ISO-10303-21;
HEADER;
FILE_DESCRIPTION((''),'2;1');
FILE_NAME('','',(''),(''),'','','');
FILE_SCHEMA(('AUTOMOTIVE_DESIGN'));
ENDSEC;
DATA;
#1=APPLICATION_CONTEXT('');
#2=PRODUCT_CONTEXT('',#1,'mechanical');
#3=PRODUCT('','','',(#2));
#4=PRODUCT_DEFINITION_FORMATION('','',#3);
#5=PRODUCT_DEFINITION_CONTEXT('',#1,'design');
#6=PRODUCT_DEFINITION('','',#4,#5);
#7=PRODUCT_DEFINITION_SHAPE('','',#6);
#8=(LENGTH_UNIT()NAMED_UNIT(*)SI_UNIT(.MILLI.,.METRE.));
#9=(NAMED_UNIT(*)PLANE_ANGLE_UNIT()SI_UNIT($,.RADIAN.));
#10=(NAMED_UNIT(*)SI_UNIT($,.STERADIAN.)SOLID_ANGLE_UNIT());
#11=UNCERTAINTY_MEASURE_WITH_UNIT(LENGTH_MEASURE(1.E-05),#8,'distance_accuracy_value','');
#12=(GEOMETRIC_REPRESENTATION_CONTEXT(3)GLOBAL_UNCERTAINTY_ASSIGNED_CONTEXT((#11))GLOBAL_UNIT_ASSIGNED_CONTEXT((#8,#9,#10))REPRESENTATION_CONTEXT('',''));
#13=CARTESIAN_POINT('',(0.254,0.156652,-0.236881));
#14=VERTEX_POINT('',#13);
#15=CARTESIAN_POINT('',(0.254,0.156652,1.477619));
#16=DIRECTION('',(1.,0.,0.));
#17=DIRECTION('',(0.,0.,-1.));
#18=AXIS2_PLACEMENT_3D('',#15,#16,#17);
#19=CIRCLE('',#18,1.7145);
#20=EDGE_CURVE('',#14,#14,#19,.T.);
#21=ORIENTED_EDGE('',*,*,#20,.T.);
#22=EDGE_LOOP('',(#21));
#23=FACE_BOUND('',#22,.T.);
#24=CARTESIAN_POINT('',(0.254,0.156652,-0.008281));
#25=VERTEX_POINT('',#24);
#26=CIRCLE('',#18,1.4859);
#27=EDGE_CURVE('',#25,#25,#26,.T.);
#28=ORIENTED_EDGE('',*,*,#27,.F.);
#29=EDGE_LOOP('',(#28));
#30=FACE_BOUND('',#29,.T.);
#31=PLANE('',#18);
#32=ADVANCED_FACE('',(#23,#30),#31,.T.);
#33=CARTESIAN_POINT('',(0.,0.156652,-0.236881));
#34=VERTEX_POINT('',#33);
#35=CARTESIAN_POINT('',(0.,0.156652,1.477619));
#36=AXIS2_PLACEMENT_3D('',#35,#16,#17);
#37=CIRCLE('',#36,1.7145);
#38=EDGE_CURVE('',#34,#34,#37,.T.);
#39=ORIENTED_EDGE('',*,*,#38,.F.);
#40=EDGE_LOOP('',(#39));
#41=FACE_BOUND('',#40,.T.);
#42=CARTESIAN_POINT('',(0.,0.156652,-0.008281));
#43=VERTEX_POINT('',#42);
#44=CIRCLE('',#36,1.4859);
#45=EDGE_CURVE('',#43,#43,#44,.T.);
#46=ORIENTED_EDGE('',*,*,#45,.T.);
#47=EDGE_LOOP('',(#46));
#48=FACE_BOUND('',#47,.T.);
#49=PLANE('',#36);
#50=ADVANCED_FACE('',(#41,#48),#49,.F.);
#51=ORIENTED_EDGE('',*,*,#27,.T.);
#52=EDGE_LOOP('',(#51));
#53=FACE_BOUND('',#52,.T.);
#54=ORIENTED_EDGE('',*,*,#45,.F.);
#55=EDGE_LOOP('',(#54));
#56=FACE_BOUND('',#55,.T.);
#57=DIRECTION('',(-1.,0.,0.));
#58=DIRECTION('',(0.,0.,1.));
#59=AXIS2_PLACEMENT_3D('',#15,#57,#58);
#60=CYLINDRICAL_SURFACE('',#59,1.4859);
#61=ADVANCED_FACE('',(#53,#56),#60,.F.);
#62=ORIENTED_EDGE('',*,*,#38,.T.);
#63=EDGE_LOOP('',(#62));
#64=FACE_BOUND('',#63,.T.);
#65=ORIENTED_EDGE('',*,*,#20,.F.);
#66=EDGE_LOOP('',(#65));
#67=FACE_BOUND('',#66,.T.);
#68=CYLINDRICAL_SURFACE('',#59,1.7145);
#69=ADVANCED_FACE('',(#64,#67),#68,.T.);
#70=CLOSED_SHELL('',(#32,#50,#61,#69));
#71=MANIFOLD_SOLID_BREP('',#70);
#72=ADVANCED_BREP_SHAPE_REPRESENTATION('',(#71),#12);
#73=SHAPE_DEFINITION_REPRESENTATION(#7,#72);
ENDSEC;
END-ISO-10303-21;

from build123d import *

# Parameters (mm, degrees)
SKETCH1_R       = 1.7145
SKETCH1_R_2     = 1.4859
SNAP_RING_DEPTH = 0.254


with BuildPart() as part:
    # Sketch1 → Snap ring (new body)
    with BuildSketch(Plane(origin=(0, 0, 0), x_dir=(0, 0, -1), z_dir=(1, 0, 0))):
        with Locations((-1.477619406, 0.156651527)):
            Circle(SKETCH1_R)
        with Locations((-1.477619406, 0.156651527)):
            Circle(SKETCH1_R_2, mode=Mode.SUBTRACT)
    extrude(amount=SNAP_RING_DEPTH)


solid = part.part
